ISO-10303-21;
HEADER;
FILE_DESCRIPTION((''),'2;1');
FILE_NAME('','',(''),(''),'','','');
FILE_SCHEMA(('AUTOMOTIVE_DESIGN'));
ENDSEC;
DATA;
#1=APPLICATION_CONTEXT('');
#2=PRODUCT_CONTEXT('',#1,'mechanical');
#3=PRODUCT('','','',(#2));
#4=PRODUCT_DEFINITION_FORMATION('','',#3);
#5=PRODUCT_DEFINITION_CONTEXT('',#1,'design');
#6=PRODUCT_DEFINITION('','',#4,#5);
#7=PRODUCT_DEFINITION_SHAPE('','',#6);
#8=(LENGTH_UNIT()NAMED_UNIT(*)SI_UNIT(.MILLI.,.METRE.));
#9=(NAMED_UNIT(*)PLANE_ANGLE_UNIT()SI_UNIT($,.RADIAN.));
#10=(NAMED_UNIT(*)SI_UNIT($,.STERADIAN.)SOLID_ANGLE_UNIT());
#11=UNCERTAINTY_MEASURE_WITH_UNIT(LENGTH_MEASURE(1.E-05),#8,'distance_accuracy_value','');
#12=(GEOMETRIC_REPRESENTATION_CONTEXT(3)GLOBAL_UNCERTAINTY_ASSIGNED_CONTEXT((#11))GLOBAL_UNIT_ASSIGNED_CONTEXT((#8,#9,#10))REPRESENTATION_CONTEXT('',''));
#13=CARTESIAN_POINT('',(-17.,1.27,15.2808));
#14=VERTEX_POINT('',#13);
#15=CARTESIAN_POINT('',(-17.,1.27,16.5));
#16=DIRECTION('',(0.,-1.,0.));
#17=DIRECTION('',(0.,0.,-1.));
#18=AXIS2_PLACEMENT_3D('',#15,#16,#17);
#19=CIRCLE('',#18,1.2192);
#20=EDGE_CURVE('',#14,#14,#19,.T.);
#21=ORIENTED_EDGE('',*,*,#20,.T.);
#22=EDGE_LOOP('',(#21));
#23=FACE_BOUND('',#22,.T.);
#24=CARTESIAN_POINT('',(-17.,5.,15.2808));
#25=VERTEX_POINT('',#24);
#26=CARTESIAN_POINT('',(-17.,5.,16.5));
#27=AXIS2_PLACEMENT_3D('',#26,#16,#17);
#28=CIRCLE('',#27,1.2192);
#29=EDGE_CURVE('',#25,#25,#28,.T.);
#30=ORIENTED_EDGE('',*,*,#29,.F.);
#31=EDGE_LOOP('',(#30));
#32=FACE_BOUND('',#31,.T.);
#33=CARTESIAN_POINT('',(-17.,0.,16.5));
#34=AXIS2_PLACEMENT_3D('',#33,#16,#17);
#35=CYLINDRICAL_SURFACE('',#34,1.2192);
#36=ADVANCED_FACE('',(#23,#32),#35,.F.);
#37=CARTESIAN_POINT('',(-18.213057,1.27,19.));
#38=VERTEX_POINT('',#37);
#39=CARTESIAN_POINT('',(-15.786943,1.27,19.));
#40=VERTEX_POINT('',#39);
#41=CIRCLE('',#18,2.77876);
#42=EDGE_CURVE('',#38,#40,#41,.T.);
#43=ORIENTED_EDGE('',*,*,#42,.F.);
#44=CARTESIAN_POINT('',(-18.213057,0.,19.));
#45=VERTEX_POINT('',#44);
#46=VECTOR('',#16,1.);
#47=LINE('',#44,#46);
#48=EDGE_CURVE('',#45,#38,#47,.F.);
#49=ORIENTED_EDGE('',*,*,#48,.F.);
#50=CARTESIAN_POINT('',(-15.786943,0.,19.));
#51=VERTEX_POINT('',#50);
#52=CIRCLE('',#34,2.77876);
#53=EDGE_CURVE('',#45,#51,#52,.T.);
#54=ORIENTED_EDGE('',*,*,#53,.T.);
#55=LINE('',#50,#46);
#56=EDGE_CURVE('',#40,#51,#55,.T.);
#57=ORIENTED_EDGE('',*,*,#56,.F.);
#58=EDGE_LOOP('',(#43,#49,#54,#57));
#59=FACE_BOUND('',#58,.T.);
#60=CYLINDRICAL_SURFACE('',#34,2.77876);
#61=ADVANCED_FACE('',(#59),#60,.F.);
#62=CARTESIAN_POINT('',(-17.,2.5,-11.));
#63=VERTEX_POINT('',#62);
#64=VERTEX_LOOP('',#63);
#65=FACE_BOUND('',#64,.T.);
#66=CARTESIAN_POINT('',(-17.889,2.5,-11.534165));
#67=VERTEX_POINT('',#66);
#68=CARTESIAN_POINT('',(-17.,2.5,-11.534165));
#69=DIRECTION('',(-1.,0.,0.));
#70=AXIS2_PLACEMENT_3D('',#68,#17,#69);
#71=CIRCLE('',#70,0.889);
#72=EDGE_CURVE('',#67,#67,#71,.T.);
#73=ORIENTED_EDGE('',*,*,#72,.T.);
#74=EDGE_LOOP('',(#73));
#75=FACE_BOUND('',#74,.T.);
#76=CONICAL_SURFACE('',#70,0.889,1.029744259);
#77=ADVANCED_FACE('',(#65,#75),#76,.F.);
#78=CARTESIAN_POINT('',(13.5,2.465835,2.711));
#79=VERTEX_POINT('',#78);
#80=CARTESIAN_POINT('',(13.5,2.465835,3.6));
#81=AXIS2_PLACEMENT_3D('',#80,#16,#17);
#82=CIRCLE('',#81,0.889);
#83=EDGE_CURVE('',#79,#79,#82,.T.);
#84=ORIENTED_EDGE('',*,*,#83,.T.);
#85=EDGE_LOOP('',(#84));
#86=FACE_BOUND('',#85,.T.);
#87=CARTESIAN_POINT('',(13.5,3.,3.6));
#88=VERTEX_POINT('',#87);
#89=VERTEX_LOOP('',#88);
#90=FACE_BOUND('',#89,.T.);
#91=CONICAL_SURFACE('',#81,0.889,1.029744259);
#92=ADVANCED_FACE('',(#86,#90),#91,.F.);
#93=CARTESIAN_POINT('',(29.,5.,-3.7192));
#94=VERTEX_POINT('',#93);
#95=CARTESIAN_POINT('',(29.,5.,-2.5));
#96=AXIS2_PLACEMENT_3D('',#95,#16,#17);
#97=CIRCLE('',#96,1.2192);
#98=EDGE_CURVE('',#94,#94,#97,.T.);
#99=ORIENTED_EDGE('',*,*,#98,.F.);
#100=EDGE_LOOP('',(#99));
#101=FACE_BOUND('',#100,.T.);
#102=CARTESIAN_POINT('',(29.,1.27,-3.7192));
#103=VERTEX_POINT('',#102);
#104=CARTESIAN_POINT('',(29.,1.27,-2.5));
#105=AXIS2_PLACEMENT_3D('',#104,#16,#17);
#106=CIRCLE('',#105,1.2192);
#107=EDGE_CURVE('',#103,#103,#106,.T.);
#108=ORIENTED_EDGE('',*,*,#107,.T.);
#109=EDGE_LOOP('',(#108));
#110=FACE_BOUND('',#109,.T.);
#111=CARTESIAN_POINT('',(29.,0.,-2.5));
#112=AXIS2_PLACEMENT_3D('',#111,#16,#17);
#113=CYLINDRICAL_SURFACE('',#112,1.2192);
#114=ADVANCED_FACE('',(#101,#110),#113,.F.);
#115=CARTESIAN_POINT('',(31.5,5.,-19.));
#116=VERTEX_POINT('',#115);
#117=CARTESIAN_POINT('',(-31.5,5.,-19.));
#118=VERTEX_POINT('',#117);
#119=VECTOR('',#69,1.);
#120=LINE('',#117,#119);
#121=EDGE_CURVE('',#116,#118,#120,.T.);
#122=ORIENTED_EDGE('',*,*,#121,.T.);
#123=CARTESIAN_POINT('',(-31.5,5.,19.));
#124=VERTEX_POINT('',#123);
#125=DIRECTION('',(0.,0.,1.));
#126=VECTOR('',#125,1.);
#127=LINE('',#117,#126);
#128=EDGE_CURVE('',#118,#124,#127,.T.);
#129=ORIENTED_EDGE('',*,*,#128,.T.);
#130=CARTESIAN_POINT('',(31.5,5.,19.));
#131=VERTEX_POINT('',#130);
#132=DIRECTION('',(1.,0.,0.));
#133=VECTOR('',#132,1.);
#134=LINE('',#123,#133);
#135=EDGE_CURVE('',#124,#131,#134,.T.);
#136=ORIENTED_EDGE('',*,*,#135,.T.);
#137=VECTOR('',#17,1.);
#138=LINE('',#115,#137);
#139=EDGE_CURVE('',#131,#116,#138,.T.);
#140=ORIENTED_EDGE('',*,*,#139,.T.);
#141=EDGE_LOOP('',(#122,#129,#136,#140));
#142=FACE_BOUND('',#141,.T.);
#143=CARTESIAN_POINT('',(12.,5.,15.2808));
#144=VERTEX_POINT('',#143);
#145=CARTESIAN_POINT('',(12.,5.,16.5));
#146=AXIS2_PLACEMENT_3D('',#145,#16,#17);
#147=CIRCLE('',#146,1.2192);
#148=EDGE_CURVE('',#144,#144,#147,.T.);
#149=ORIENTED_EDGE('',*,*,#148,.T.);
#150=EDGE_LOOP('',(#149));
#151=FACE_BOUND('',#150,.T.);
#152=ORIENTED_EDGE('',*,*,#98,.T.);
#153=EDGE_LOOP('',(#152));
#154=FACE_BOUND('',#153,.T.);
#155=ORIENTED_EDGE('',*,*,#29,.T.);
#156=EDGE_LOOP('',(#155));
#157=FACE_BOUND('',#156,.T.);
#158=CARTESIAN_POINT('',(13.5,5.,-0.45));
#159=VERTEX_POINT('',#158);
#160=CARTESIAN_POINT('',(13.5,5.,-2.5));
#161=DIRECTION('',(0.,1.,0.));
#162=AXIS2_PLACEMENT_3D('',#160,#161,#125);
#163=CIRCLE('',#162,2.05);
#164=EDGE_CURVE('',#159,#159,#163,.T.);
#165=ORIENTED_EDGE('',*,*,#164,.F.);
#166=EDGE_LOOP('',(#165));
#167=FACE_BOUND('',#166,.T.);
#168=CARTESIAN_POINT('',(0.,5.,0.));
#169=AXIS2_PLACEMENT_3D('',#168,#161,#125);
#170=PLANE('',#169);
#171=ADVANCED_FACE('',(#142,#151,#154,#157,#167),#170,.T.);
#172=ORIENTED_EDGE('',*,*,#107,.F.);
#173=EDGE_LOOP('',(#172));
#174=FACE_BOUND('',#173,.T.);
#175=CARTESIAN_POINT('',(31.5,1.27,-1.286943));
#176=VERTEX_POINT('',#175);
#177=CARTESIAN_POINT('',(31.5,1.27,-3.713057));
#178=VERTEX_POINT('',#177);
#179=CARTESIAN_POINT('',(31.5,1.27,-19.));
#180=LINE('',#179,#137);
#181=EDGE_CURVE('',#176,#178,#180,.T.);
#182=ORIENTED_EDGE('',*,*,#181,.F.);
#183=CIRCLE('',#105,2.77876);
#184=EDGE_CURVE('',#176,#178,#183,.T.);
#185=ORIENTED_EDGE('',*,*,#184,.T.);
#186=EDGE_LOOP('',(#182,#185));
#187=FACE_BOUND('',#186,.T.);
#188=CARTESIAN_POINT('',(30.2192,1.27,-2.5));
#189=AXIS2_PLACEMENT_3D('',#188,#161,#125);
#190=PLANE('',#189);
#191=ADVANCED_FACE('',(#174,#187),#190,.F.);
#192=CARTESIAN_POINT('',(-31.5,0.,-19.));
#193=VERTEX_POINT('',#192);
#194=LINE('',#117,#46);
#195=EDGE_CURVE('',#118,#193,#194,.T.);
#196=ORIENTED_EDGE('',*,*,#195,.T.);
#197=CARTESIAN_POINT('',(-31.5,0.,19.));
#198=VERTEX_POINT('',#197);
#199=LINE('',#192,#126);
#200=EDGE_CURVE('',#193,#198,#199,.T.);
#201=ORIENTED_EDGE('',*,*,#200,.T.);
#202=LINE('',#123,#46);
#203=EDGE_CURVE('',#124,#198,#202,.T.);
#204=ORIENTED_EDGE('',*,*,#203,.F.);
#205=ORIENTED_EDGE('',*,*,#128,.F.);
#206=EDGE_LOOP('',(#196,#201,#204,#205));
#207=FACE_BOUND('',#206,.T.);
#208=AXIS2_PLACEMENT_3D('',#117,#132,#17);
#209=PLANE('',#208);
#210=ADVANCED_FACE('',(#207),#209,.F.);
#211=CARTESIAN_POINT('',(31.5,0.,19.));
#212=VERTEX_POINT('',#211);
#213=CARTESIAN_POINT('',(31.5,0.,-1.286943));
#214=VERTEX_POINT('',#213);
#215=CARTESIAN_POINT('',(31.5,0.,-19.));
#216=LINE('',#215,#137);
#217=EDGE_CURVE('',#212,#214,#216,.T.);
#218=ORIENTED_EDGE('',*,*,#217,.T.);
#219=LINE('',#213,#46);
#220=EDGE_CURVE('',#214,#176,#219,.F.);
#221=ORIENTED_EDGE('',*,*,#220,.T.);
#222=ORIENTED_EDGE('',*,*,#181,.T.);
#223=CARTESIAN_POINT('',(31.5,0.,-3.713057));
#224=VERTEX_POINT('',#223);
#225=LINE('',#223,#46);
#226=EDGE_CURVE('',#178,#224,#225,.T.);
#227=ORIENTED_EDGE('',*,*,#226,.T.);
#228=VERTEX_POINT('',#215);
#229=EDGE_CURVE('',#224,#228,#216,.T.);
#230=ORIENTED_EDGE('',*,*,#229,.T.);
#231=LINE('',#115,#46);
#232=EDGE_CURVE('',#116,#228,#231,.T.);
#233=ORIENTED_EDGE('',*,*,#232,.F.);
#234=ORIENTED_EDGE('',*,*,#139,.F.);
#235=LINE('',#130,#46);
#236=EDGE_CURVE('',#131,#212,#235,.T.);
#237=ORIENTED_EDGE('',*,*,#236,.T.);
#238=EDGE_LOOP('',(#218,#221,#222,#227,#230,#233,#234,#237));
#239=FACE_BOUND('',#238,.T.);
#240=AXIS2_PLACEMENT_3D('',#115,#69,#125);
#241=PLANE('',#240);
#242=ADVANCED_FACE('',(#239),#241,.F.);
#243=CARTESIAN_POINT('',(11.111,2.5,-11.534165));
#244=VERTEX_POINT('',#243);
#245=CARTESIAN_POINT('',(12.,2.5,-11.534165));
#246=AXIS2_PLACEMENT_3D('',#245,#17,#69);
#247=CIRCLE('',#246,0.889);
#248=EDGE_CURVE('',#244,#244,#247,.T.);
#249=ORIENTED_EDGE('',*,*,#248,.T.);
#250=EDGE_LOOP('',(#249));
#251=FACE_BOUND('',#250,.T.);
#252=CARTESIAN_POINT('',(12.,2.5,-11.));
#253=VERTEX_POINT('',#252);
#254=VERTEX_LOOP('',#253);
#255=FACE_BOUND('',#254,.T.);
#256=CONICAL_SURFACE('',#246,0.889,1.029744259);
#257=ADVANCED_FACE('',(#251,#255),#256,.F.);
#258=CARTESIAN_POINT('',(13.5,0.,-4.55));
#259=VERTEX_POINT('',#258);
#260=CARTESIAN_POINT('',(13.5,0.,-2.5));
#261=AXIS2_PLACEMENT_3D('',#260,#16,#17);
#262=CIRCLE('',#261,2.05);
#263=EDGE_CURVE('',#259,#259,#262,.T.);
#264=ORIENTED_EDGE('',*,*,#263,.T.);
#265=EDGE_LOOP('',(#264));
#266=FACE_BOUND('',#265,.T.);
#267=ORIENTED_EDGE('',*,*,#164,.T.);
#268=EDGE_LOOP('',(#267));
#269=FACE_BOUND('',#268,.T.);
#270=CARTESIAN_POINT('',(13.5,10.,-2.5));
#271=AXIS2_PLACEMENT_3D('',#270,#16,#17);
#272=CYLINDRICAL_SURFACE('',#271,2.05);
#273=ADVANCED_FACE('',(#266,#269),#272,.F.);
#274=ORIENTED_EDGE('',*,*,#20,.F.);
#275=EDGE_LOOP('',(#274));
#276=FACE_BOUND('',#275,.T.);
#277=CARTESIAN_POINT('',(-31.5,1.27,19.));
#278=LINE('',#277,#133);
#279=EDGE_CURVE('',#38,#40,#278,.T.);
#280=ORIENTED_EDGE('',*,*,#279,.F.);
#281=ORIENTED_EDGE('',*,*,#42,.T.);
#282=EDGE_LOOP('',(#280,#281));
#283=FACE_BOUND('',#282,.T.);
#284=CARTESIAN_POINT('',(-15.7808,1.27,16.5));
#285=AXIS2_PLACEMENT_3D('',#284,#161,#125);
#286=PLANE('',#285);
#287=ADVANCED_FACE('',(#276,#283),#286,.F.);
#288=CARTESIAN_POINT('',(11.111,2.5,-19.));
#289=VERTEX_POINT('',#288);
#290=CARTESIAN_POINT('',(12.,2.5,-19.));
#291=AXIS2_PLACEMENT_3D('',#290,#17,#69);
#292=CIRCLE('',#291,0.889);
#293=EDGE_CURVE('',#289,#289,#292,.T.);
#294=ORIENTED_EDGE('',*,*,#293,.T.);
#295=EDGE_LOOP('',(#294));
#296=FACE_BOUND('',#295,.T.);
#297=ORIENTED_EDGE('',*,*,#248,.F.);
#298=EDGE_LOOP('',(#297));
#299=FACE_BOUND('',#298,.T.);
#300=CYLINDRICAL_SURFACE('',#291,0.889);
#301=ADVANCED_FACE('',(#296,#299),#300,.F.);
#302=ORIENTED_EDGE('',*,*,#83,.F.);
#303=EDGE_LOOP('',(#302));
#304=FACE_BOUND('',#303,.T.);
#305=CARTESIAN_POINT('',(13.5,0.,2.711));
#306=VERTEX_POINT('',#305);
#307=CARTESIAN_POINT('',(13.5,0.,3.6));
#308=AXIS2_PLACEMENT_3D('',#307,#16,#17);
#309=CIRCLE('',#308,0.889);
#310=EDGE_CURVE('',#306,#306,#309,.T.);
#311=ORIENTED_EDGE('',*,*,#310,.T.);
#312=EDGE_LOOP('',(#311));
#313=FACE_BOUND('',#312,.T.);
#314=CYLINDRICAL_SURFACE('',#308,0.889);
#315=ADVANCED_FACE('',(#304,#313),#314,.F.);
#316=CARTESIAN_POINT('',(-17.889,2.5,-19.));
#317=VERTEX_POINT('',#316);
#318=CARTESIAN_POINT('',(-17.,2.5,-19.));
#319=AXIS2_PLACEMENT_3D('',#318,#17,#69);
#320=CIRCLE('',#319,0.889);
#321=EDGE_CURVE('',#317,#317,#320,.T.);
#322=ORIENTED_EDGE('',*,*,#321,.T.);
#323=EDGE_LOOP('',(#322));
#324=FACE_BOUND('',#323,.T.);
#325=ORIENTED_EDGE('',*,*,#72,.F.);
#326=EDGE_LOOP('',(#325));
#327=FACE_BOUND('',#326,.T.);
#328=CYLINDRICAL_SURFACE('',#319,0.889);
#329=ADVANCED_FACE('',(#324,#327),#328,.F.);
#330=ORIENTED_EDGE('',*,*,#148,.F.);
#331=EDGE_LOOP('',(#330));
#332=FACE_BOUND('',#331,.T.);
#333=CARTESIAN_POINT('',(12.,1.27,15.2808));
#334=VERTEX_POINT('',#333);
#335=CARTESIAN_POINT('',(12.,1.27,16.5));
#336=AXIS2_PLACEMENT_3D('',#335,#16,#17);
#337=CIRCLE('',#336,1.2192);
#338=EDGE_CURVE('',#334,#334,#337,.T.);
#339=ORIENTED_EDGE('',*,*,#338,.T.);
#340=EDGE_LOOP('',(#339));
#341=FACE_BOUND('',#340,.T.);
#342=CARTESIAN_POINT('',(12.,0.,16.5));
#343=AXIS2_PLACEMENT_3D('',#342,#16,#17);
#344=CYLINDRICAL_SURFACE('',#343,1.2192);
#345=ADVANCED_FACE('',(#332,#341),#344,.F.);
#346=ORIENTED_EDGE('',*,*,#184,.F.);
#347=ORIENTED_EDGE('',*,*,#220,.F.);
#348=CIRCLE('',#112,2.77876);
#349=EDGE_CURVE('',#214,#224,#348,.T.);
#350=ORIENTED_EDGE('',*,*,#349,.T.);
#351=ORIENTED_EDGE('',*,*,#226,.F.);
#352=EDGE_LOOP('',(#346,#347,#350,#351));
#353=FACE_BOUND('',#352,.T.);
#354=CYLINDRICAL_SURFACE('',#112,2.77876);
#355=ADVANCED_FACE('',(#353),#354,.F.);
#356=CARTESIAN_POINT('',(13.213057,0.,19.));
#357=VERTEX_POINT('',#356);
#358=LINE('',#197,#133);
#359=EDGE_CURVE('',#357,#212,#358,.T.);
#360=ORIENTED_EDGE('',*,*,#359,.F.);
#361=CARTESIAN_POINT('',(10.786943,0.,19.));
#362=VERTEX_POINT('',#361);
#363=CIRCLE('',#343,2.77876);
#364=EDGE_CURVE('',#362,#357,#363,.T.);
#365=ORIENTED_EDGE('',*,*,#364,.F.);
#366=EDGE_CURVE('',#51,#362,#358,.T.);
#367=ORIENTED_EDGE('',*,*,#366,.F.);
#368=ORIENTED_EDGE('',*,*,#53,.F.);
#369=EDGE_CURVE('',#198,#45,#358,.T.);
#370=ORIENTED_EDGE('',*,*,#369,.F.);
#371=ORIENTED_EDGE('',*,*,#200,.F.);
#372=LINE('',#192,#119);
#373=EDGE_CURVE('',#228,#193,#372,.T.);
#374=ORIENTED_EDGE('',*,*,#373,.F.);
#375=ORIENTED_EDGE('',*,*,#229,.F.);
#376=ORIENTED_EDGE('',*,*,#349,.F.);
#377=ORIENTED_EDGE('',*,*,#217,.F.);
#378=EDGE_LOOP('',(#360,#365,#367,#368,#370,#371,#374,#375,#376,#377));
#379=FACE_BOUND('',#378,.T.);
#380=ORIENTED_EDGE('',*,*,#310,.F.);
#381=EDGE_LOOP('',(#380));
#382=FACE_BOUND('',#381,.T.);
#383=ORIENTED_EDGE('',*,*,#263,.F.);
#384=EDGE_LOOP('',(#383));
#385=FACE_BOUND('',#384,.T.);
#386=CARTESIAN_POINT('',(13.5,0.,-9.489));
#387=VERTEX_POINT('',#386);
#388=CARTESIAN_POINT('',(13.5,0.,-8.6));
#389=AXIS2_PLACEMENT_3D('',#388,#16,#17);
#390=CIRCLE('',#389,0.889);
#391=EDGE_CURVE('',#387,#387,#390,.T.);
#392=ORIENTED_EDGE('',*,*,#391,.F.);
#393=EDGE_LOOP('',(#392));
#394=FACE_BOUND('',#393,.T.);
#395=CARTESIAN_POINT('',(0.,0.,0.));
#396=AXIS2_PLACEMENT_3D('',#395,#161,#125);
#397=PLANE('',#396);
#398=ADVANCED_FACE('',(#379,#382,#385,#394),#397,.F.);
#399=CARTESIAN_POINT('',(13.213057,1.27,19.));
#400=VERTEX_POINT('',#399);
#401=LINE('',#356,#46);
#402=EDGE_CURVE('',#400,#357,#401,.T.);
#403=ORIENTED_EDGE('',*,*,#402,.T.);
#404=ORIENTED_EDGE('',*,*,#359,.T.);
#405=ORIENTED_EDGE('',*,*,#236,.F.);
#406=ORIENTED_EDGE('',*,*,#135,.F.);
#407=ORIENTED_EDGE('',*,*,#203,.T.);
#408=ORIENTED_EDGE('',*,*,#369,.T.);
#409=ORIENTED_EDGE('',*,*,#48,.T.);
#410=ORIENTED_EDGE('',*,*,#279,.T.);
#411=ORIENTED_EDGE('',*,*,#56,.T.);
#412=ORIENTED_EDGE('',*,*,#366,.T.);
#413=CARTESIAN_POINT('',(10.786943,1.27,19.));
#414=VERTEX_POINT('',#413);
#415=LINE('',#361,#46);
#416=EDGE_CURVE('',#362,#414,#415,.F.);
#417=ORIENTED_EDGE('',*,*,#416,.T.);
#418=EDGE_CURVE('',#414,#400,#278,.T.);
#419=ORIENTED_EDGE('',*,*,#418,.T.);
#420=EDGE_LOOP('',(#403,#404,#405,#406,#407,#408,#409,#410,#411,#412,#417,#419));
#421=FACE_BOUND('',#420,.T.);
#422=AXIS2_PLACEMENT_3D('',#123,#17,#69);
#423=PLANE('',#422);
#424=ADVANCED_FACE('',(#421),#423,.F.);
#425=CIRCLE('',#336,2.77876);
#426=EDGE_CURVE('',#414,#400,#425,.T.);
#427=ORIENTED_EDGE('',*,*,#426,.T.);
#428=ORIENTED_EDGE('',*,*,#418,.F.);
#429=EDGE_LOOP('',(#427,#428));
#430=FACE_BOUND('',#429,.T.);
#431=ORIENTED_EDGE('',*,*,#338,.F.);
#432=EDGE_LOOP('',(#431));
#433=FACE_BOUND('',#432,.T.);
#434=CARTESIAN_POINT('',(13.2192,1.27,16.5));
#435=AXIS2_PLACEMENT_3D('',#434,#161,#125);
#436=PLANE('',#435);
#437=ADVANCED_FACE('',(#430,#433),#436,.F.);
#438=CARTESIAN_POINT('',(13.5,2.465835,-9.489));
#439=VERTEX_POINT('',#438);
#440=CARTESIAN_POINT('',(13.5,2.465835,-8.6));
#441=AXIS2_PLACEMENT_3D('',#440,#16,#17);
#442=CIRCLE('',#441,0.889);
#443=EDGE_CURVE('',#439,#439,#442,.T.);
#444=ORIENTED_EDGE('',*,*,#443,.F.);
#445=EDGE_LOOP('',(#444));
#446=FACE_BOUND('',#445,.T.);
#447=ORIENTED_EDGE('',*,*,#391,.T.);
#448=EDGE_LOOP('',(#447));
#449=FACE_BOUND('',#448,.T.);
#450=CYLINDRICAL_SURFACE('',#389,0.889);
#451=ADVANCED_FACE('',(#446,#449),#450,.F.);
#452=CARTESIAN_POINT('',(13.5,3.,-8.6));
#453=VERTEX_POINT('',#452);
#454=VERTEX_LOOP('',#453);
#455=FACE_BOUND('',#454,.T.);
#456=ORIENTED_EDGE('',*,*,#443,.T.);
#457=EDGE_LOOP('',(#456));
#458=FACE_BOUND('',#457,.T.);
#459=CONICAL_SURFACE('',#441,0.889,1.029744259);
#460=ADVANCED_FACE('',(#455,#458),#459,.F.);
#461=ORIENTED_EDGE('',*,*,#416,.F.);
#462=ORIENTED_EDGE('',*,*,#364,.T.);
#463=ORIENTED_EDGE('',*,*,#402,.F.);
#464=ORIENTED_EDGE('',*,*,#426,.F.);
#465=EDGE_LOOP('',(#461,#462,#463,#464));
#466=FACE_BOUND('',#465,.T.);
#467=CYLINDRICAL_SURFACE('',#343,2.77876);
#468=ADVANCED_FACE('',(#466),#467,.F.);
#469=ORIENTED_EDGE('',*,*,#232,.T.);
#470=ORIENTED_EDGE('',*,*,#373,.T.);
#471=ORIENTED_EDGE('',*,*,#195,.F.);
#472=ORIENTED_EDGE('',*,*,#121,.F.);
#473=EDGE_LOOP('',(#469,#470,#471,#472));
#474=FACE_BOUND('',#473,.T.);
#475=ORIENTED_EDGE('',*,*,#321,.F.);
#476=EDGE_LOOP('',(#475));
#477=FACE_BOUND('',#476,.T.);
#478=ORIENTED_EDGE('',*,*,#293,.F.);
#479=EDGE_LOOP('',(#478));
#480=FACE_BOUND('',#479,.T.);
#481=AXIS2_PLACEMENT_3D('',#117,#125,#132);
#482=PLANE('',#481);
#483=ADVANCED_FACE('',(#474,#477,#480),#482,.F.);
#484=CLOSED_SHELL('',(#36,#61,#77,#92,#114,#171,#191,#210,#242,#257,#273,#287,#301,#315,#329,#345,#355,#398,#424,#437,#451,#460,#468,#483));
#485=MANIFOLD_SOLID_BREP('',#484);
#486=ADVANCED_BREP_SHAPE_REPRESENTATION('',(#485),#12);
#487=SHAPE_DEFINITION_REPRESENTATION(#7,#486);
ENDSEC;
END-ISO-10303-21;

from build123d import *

# Parameters (mm, degrees)
SKETCH1_W                                           = 63
SKETCH1_H                                           = 38
BOSS_EXTRUDE1_DEPTH                                 = 5
CBORE_FOR_2_BINDING_HEAD_MACHINE_SCREW2_D           = 2.4384
CBORE_FOR_2_BINDING_HEAD_MACHINE_SCREW2_CBORE_D     = 5.55752
CBORE_FOR_2_BINDING_HEAD_MACHINE_SCREW2_CBORE_DEPTH = 1.27
CBORE_FOR_2_BINDING_HEAD_MACHINE_SCREW3_D           = 2.4384
CBORE_FOR_2_BINDING_HEAD_MACHINE_SCREW3_CBORE_D     = 5.55752
CBORE_FOR_2_BINDING_HEAD_MACHINE_SCREW3_CBORE_DEPTH = 1.27
CUT_EXTRUDE1_DEPTH                                  = 10
F_2_56_TAPPED_HOLE2_D                               = 1.778
F_2_56_TAPPED_HOLE2_DEPTH                           = 2.46583491
F_2_56_TAPPED_HOLE2_TIP                             = 0.53416509
F_2_56_TAPPED_HOLE3_D                               = 1.778
F_2_56_TAPPED_HOLE3_DEPTH                           = 7.46583491
F_2_56_TAPPED_HOLE3_TIP                             = 0.53416509


with BuildPart() as part:
    # Sketch1 → Boss-Extrude1 (new body)
    with BuildSketch(Plane(origin=(0, 0, 0), x_dir=(1, 0, 0), z_dir=(0, 1, 0))):
        Rectangle(SKETCH1_W, SKETCH1_H)
    extrude(amount=BOSS_EXTRUDE1_DEPTH)

    # CBORE for #2 Binding Head Machine Screw2 (through all)
    with Locations(Plane(origin=(0, 0, 0), x_dir=(-1, 0, 0), z_dir=(0, -1, 0))):
        with Locations((-29, 2.5)):
            CounterBoreHole(CBORE_FOR_2_BINDING_HEAD_MACHINE_SCREW2_D / 2, CBORE_FOR_2_BINDING_HEAD_MACHINE_SCREW2_CBORE_D / 2, CBORE_FOR_2_BINDING_HEAD_MACHINE_SCREW2_CBORE_DEPTH)

    # CBORE for #2 Binding Head Machine Screw3 (through all)
    with Locations(Plane(origin=(0, 0, 0), x_dir=(-1, 0, 0), z_dir=(0, -1, 0))):
        with Locations((-12, -16.5), (17, -16.5)):
            CounterBoreHole(CBORE_FOR_2_BINDING_HEAD_MACHINE_SCREW3_D / 2, CBORE_FOR_2_BINDING_HEAD_MACHINE_SCREW3_CBORE_D / 2, CBORE_FOR_2_BINDING_HEAD_MACHINE_SCREW3_CBORE_DEPTH)

    # Sketch17 → Cut-Extrude1 (cut)
    with BuildSketch(Plane.XZ):
        with BuildLine():
            ThreePointArc((15.55, -2.5), (14.949568901, -1.050431099), (13.5, -0.45))
            Line((13.5, -0.45), (13.5, -2.5))
            Line((13.5, -2.5), (13.5, -4.55))
            ThreePointArc((13.5, -4.55), (14.949568901, -3.949568901), (15.55, -2.5))
        make_face()
        with BuildLine():
            Line((13.5, -2.5), (13.5, -0.45))
            ThreePointArc((13.5, -0.45), (11.45, -2.5), (13.5, -4.55))
            Line((13.5, -4.55), (13.5, -2.5))
        make_face()
    extrude(amount=-CUT_EXTRUDE1_DEPTH, mode=Mode.SUBTRACT)

    # #2-56 Tapped Hole2
    with Locations(Plane(origin=(0, 0, 0), x_dir=(-1, 0, 0), z_dir=(0, -1, 0))):
        with Locations((-13.5, 8.6), (-13.5, -3.6)):
            Hole(F_2_56_TAPPED_HOLE2_D / 2, depth=F_2_56_TAPPED_HOLE2_DEPTH)
            with Locations((0, 0, -(F_2_56_TAPPED_HOLE2_DEPTH + F_2_56_TAPPED_HOLE2_TIP / 2))):  # 118° drill point
                Cone(0, F_2_56_TAPPED_HOLE2_D / 2, F_2_56_TAPPED_HOLE2_TIP, mode=Mode.SUBTRACT)

    # #2-56 Tapped Hole3
    with Locations(Plane(origin=(0, 0, -19), x_dir=(-1, 0, 0), z_dir=(0, 0, -1))):
        with Locations((-12, 2.5), (17, 2.5)):
            Hole(F_2_56_TAPPED_HOLE3_D / 2, depth=F_2_56_TAPPED_HOLE3_DEPTH)
            with Locations((0, 0, -(F_2_56_TAPPED_HOLE3_DEPTH + F_2_56_TAPPED_HOLE3_TIP / 2))):  # 118° drill point
                Cone(0, F_2_56_TAPPED_HOLE3_D / 2, F_2_56_TAPPED_HOLE3_TIP, mode=Mode.SUBTRACT)


solid = part.part
